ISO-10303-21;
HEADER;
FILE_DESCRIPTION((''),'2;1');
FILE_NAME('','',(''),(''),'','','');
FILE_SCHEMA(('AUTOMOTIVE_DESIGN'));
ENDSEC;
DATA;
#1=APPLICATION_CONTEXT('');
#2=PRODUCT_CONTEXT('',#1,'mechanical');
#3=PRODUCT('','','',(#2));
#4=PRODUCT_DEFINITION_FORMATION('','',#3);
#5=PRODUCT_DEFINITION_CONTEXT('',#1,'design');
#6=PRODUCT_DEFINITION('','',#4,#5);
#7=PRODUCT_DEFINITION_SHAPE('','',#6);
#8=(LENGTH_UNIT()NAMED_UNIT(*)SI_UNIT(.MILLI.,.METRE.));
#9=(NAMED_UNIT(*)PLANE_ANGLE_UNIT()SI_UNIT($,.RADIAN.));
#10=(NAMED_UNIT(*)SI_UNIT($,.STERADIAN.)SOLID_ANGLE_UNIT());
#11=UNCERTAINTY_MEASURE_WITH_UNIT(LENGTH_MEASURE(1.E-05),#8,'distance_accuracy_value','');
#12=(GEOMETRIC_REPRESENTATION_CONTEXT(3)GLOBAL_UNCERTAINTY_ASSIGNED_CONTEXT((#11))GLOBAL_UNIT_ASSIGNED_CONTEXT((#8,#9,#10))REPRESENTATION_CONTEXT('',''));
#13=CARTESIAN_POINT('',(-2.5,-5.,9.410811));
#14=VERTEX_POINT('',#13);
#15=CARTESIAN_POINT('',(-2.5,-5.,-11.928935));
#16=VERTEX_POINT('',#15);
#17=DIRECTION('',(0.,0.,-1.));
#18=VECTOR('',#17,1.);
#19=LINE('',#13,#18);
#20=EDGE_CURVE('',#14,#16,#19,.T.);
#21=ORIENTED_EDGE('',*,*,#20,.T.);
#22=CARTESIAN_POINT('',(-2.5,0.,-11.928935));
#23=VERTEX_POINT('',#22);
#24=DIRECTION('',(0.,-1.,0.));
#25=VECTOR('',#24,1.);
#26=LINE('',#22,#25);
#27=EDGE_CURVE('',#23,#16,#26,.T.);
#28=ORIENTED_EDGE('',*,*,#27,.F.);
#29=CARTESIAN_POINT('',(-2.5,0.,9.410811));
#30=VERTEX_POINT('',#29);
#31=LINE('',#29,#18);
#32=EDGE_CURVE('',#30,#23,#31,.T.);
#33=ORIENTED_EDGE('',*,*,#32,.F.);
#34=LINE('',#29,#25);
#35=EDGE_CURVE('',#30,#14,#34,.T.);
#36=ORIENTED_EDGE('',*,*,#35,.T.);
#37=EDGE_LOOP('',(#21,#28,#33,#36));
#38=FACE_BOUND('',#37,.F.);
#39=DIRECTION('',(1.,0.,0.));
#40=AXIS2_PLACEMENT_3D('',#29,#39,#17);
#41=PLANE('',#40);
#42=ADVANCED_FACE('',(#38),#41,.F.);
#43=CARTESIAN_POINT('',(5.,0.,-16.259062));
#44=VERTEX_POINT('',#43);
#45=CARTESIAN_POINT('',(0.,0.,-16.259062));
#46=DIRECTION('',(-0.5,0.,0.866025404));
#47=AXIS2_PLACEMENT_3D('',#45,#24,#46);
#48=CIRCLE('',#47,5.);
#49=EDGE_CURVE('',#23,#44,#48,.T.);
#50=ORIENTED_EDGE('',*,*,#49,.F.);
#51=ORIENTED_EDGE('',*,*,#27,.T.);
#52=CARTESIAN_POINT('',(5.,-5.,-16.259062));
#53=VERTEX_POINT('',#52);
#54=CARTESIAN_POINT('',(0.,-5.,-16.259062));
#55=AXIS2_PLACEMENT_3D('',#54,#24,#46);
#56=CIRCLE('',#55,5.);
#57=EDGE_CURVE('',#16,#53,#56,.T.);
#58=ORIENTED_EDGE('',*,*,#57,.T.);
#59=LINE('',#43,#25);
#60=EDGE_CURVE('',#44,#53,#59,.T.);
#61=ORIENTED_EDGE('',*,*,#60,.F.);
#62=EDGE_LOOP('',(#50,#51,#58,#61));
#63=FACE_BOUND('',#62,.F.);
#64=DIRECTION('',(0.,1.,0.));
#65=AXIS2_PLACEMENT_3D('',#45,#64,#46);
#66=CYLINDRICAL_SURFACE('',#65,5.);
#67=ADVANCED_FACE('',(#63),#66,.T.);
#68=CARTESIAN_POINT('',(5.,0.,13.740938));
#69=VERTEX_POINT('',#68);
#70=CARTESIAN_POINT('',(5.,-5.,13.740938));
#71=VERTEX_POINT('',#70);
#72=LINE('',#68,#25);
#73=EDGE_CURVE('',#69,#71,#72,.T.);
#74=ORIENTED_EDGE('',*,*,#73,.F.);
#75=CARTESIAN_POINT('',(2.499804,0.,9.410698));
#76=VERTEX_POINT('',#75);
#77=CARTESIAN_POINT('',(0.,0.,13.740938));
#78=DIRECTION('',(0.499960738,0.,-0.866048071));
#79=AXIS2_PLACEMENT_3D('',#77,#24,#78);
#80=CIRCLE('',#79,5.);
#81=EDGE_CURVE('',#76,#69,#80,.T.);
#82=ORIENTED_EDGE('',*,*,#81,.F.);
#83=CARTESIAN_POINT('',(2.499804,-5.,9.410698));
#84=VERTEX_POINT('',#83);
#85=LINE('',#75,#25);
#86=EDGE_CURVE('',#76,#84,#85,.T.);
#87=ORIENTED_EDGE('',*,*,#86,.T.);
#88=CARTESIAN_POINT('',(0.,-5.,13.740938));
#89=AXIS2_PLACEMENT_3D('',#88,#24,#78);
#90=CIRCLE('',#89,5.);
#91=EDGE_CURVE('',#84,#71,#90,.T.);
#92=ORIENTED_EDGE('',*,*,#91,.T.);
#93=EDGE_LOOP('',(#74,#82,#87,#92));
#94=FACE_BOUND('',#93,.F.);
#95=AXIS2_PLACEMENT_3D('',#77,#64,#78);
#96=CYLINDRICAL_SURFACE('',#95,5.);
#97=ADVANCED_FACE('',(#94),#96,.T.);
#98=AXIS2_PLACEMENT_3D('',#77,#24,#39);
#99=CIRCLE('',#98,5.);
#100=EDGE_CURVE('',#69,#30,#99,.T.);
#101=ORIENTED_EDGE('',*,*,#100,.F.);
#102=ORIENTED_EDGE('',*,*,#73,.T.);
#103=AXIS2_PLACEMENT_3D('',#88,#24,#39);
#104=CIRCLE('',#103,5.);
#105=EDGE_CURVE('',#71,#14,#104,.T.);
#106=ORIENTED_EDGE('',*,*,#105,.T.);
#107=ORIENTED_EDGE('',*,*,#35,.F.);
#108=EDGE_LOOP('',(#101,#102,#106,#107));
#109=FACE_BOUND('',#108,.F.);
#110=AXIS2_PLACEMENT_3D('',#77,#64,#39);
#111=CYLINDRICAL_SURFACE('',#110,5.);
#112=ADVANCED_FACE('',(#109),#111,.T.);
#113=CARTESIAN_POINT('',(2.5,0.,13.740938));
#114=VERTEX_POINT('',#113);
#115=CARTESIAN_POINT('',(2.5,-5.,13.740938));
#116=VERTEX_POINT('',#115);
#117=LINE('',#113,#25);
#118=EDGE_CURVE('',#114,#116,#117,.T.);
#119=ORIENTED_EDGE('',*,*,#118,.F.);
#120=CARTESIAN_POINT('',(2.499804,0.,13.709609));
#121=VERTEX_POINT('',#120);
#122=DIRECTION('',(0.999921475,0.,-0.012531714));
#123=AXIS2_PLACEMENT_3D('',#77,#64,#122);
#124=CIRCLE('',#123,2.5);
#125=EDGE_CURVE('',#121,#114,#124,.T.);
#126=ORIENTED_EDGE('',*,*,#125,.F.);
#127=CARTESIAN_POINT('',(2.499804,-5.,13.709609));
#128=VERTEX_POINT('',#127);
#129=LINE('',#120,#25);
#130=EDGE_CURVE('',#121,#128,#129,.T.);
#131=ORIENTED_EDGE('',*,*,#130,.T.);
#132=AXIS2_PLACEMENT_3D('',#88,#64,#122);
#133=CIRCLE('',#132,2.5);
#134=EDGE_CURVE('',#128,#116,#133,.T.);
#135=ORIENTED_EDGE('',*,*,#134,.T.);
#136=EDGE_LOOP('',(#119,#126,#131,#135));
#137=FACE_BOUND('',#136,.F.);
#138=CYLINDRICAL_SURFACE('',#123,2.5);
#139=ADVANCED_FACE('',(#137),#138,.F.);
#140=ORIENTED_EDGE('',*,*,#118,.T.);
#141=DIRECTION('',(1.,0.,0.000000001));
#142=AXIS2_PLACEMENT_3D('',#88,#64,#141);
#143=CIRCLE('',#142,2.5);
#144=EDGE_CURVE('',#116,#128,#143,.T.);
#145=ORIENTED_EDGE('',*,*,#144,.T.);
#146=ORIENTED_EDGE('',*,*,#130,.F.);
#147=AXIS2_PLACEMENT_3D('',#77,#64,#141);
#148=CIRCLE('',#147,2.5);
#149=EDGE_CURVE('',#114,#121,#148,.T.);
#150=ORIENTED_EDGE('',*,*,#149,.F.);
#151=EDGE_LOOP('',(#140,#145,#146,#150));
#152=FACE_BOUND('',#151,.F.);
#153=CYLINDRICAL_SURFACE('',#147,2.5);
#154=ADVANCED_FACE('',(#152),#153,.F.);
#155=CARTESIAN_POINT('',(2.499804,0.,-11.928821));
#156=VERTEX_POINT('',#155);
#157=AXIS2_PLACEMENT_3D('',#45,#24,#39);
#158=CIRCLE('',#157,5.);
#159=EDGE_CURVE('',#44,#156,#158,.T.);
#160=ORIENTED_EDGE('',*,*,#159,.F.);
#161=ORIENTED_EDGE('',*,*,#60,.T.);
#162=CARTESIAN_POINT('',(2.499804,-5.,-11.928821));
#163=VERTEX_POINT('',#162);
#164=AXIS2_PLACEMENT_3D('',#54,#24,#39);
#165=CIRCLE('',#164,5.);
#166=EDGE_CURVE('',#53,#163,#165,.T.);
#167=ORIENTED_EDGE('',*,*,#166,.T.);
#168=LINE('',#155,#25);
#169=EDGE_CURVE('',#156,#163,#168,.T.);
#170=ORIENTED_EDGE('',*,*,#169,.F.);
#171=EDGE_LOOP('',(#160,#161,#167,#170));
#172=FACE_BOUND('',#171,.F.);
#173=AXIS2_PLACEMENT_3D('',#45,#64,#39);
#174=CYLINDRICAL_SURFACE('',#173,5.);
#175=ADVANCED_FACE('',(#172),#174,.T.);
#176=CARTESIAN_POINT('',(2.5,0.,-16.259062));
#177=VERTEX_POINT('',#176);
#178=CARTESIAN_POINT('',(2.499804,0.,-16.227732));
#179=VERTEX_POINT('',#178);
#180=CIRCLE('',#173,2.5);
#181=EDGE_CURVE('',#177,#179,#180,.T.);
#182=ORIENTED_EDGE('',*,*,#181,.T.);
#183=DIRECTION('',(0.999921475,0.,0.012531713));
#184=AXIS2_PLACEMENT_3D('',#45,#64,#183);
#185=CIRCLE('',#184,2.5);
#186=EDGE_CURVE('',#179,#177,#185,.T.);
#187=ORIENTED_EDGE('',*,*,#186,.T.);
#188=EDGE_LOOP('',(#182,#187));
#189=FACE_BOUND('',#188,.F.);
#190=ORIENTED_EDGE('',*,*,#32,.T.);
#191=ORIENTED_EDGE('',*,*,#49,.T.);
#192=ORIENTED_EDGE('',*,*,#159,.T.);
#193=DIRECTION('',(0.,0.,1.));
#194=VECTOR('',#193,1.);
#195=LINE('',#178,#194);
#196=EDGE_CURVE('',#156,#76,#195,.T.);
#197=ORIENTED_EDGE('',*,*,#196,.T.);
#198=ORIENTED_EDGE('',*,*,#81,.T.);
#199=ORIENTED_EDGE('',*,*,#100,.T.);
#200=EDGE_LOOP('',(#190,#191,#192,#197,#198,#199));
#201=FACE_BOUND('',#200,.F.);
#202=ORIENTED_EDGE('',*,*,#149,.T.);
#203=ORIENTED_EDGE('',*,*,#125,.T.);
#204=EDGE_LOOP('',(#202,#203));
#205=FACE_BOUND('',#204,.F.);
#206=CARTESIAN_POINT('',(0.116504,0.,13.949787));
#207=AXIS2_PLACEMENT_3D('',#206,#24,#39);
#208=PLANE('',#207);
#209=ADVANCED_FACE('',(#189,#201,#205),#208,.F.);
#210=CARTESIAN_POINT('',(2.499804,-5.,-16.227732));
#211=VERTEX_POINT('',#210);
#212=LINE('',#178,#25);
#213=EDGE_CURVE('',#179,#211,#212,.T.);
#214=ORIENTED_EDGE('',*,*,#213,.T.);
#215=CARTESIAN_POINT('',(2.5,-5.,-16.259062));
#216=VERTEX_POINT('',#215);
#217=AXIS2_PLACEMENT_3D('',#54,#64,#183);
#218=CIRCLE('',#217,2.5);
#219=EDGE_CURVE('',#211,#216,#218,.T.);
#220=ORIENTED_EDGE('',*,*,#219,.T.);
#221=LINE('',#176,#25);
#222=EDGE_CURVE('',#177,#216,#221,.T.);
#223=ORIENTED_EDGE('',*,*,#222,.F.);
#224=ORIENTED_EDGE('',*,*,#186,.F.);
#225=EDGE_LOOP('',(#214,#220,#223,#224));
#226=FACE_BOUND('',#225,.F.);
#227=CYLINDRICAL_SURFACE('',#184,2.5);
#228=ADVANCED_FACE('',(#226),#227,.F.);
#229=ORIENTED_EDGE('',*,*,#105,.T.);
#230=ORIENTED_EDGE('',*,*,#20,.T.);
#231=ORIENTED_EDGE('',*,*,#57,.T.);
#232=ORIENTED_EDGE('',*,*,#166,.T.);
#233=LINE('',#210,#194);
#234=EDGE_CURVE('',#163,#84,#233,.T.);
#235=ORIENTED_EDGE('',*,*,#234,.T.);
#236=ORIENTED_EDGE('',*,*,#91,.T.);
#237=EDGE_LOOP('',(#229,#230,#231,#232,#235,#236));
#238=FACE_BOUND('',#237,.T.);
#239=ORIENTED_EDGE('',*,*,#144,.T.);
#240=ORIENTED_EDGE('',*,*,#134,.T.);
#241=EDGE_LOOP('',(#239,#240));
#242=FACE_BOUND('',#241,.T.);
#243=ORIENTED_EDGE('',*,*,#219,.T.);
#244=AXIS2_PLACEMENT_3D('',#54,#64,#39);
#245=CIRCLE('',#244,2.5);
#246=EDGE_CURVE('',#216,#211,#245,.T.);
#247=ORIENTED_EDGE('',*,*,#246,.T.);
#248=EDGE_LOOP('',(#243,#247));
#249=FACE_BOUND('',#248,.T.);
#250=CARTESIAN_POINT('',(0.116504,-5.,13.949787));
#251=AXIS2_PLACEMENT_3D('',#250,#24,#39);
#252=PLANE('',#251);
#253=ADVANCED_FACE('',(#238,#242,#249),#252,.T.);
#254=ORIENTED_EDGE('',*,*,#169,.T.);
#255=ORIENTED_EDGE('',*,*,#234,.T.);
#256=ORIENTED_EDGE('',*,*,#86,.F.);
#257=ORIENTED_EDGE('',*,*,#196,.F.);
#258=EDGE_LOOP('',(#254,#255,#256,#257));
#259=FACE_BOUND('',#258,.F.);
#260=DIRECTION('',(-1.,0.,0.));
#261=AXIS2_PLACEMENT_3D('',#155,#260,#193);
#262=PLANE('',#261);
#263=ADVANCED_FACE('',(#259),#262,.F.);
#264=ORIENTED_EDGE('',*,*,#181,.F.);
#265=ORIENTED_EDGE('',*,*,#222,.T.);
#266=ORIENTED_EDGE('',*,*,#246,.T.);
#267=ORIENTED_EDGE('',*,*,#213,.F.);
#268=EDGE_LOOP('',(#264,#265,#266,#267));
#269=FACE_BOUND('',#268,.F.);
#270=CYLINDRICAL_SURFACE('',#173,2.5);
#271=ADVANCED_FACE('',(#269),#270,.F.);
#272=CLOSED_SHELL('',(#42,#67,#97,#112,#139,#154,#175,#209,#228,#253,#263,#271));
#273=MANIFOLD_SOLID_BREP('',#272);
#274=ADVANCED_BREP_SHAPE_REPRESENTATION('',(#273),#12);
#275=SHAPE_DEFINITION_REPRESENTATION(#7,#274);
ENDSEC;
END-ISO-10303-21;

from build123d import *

# Parameters (mm, degrees)
F1_DEPTH = 5


with BuildPart() as f1:
    # F0 (on Front) → F1 (new body)
    with BuildSketch(Plane.XZ):
        with BuildLine():
            ThreePointArc((-2.5, 13.7409384237), (0, 16.2409384237), (2.5, 13.7409384237))
            ThreePointArc((2.5, 13.7409384237), (2.4999509214, 13.7252734736), (2.4998036875, 13.7096091386))
            Line((2.4998036875, 13.7096091386), (2.4998036875, 9.4106980696))
            ThreePointArc((2.4998036875, 9.4106980696), (4.330070348, 11.2408402694), (5, 13.7409384237))
            ThreePointArc((5, 13.7409384237), (-2.5, 18.0710654426), (-2.5, 9.4108114048))
            Line((-2.5, 9.4108114048), (-2.5, 13.7409384237))
        make_face()
        with BuildLine():
            ThreePointArc((2.4998036875, 13.7096091386), (-0.0156649501, 11.2409875023), (-2.5, 13.7409384237))
            Line((-2.5, 13.7409384237), (-2.5, 9.4108114048))
            ThreePointArc((-2.5, 9.4108114048), (-0.0001133396, 8.740938425), (2.4998036875, 9.4106980696))
            Line((2.4998036875, 9.4106980696), (2.4998036875, 13.7096091386))
        make_face()
        with BuildLine():
            ThreePointArc((2.4998036875, 9.4106980696), (-0.0001133396, 8.740938425), (-2.5, 9.4108114048))
            Line((-2.5, 9.4108114048), (-2.5, -11.9289345574))
            ThreePointArc((-2.5, -11.9289345574), (-0.0001133396, -11.2590615776), (2.4998036875, -11.9288212222))
            Line((2.4998036875, -11.9288212222), (2.4998036875, 9.4106980696))
        make_face()
        with BuildLine():
            ThreePointArc((2.4998036875, -11.9288212222), (-0.0001133396, -11.2590615776), (-2.5, -11.9289345574))
            Line((-2.5, -11.9289345574), (-2.5, -16.2590615763))
            ThreePointArc((-2.5, -16.2590615763), (-0.0156649501, -13.7591106549), (2.4998036875, -16.2277322912))
            Line((2.4998036875, -16.2277322912), (2.4998036875, -11.9288212222))
        make_face()
        with BuildLine():
            Line((-2.5, -16.2590615763), (-2.5, -11.9289345574))
            ThreePointArc((-2.5, -11.9289345574), (-2.5, -20.5891885952), (5, -16.2590615763))
            ThreePointArc((5, -16.2590615763), (4.330070348, -13.758963422), (2.4998036875, -11.9288212222))
            Line((2.4998036875, -11.9288212222), (2.4998036875, -16.2277322912))
            ThreePointArc((2.4998036875, -16.2277322912), (2.4999509214, -16.2433966262), (2.5, -16.2590615763))
            ThreePointArc((2.5, -16.2590615763), (0, -18.7590615763), (-2.5, -16.2590615763))
        make_face()
    extrude(amount=F1_DEPTH)


solid = f1.part
